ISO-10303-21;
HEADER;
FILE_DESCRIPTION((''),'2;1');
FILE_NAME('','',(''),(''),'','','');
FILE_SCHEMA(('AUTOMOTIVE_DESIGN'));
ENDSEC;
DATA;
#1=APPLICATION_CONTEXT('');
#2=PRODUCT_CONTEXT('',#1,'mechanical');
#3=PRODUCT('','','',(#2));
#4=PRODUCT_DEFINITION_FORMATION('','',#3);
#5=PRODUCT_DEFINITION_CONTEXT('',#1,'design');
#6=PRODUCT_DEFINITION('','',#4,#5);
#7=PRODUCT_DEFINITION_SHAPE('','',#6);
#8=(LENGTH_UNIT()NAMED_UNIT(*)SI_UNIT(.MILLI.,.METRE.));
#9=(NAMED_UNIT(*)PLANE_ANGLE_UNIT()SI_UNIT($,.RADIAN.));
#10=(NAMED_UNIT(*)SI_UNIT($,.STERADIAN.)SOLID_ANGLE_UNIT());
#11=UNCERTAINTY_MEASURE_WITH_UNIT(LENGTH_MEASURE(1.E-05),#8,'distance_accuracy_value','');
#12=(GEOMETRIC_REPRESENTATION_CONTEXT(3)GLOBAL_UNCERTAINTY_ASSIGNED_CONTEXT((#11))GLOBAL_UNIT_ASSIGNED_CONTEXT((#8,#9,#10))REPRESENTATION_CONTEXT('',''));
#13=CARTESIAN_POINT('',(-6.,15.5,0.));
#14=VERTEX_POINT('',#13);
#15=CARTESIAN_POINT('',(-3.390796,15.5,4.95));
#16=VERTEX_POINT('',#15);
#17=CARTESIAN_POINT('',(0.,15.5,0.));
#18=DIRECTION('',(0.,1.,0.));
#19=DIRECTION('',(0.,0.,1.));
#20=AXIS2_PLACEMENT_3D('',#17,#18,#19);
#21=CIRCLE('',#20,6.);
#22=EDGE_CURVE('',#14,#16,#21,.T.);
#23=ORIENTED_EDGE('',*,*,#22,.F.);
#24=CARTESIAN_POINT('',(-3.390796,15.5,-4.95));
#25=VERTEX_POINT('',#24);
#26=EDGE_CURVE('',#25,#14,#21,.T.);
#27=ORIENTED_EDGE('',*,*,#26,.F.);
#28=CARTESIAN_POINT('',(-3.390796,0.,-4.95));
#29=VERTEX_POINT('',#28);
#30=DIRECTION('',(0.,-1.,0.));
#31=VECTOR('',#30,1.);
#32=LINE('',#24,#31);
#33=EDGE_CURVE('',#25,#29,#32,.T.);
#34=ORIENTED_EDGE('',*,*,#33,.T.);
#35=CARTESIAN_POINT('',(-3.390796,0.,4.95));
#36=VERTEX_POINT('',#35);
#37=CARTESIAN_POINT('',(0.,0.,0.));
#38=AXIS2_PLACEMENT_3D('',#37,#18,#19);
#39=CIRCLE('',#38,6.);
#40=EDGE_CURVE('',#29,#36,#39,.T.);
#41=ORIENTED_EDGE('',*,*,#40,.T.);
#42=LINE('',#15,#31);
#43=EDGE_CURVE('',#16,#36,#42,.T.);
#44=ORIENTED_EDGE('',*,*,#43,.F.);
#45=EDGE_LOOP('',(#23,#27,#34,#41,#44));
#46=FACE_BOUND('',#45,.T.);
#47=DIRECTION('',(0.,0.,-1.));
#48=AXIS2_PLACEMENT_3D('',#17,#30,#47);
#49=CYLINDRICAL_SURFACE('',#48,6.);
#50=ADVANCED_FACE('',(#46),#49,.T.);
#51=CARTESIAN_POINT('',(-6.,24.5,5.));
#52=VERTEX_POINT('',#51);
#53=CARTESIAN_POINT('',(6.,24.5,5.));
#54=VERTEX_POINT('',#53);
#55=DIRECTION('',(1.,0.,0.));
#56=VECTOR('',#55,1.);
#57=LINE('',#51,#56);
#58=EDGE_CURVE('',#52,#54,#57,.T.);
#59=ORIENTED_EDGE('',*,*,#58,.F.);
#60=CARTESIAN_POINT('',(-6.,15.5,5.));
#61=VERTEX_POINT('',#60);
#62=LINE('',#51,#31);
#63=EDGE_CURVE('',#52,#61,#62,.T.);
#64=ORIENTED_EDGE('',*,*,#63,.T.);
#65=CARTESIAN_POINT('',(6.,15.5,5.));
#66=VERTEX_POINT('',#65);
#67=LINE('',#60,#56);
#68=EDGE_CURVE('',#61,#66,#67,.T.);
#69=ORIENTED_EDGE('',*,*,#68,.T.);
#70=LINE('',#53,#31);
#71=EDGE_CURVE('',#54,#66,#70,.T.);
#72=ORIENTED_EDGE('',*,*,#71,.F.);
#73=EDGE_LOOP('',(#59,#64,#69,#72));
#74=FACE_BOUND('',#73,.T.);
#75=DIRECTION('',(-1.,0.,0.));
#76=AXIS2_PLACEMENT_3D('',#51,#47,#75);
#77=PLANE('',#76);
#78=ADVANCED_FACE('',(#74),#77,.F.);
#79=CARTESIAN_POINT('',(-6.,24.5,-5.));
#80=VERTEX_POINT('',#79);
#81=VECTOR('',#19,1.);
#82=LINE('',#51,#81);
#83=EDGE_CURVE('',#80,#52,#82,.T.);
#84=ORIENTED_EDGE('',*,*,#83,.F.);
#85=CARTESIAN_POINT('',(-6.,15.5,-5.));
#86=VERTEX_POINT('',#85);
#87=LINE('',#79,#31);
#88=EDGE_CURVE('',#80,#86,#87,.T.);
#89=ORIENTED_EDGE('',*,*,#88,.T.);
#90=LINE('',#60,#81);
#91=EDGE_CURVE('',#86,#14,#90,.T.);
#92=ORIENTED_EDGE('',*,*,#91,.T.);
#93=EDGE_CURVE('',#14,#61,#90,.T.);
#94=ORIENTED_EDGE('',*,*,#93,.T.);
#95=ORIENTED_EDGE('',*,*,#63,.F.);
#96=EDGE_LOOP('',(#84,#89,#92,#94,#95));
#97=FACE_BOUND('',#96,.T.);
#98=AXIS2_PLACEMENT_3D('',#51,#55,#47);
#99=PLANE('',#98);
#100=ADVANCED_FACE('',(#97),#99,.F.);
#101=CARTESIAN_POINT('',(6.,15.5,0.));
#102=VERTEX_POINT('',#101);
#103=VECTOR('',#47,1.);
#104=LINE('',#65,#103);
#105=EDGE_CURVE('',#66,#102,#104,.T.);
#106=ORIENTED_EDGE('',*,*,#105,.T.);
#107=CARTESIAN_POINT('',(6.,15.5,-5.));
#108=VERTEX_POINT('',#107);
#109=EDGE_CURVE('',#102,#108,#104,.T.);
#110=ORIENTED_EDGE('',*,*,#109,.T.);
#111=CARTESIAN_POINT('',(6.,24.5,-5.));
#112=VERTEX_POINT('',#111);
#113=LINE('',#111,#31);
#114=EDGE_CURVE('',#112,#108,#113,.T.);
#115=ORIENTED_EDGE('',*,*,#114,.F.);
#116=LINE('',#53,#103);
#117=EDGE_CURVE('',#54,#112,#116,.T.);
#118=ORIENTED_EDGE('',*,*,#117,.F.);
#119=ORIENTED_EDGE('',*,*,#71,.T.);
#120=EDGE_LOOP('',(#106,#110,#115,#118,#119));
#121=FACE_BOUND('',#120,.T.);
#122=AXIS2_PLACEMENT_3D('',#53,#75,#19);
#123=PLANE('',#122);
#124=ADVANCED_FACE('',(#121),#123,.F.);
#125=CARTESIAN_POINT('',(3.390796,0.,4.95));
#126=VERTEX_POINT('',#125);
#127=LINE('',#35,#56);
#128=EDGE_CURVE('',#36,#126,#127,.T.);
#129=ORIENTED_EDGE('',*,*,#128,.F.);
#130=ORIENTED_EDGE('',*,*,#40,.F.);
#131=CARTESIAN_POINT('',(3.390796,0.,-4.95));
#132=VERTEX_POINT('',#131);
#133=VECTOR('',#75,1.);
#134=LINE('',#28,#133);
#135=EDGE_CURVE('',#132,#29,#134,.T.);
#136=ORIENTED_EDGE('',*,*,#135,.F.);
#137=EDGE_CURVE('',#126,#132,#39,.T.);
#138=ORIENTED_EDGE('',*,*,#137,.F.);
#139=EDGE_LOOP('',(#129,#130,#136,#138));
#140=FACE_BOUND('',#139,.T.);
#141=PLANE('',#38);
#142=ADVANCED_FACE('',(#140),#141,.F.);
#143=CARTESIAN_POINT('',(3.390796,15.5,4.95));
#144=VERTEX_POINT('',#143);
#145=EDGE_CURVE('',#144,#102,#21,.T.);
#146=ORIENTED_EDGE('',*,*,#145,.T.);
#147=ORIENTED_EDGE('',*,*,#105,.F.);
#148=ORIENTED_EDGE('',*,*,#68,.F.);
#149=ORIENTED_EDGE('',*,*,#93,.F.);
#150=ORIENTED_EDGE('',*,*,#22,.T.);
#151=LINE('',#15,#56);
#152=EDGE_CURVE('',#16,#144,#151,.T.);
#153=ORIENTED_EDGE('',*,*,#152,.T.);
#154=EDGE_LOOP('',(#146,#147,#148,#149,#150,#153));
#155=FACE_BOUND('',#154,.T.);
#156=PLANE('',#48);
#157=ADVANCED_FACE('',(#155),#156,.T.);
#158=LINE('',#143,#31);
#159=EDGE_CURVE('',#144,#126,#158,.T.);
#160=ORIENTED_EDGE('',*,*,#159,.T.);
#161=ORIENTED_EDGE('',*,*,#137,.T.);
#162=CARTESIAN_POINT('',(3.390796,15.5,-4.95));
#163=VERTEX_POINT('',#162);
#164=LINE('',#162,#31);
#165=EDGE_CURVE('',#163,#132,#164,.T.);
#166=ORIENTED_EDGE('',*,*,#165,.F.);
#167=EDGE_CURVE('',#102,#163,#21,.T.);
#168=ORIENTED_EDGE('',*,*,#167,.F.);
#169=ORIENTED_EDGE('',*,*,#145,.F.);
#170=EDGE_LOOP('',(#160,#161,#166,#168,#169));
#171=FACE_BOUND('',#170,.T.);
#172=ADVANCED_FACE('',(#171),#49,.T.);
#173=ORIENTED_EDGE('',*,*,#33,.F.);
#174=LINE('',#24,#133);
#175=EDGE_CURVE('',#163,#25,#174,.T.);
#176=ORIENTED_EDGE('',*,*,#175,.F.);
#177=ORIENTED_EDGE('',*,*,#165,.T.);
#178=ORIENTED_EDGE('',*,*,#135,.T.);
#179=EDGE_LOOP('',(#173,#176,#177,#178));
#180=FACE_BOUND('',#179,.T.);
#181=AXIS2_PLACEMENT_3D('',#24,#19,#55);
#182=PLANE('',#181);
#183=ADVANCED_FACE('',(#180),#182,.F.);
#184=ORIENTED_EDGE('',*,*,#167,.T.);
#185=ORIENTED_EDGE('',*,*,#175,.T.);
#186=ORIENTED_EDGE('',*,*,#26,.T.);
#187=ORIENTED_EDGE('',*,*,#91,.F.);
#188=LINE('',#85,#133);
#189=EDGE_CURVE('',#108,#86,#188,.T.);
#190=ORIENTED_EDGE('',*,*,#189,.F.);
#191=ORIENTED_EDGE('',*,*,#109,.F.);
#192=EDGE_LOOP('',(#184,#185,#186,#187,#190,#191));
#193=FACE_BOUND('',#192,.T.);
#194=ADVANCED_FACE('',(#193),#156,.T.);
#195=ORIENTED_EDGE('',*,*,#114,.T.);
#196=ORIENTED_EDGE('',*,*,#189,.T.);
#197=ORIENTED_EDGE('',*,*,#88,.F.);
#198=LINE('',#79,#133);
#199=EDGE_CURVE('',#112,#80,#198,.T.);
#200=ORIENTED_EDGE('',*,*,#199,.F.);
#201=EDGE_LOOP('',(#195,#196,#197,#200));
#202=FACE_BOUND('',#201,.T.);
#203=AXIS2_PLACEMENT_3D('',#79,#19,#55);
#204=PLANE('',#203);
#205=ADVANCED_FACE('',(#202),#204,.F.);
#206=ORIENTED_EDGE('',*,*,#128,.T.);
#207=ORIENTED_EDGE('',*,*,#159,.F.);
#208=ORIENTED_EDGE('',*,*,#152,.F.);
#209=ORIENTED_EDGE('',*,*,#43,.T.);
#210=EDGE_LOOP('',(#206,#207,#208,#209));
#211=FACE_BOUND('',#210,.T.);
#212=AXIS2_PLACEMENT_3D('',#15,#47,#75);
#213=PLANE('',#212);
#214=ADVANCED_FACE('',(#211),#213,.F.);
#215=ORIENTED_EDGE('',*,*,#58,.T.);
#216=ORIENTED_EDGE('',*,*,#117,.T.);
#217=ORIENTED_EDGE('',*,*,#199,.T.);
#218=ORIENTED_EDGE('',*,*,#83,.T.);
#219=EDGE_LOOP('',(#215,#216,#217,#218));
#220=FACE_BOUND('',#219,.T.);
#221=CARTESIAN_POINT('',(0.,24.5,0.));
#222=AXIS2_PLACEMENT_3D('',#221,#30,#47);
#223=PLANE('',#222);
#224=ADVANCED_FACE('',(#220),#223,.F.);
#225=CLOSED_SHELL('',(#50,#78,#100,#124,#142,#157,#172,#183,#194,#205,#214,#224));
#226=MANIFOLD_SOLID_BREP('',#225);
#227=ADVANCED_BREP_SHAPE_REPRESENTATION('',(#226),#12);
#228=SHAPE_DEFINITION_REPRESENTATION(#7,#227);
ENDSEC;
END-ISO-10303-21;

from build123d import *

# Parameters (mm, degrees)
BOSS_EXTRUDE1_DEPTH = 15.5
SKETCH2_W           = 12
SKETCH2_H           = 10
BOSS_EXTRUDE2_DEPTH = 9


with BuildPart() as part:
    # Sketch1 → Boss-Extrude1 (new body)
    with BuildSketch(Plane(origin=(0, 0, 0), x_dir=(1, 0, 0), z_dir=(0, 1, 0))):
        with BuildLine():
            Line((-3.390796367, 4.95), (3.390796367, 4.95))
            ThreePointArc((3.390796367, 4.95), (6, 0), (3.390796367, -4.95))
            Line((3.390796367, -4.95), (-3.390796367, -4.95))
            ThreePointArc((-3.390796367, -4.95), (-6, 0), (-3.390796367, 4.95))
        make_face()
    extrude(amount=BOSS_EXTRUDE1_DEPTH)

    # Sketch2 → Boss-Extrude2 (add)
    with BuildSketch(Plane(origin=(0, 15.5, 0), x_dir=(1, 0, 0), z_dir=(0, 1, 0))):
        Rectangle(SKETCH2_W, SKETCH2_H)
    extrude(amount=BOSS_EXTRUDE2_DEPTH)


solid = part.part
